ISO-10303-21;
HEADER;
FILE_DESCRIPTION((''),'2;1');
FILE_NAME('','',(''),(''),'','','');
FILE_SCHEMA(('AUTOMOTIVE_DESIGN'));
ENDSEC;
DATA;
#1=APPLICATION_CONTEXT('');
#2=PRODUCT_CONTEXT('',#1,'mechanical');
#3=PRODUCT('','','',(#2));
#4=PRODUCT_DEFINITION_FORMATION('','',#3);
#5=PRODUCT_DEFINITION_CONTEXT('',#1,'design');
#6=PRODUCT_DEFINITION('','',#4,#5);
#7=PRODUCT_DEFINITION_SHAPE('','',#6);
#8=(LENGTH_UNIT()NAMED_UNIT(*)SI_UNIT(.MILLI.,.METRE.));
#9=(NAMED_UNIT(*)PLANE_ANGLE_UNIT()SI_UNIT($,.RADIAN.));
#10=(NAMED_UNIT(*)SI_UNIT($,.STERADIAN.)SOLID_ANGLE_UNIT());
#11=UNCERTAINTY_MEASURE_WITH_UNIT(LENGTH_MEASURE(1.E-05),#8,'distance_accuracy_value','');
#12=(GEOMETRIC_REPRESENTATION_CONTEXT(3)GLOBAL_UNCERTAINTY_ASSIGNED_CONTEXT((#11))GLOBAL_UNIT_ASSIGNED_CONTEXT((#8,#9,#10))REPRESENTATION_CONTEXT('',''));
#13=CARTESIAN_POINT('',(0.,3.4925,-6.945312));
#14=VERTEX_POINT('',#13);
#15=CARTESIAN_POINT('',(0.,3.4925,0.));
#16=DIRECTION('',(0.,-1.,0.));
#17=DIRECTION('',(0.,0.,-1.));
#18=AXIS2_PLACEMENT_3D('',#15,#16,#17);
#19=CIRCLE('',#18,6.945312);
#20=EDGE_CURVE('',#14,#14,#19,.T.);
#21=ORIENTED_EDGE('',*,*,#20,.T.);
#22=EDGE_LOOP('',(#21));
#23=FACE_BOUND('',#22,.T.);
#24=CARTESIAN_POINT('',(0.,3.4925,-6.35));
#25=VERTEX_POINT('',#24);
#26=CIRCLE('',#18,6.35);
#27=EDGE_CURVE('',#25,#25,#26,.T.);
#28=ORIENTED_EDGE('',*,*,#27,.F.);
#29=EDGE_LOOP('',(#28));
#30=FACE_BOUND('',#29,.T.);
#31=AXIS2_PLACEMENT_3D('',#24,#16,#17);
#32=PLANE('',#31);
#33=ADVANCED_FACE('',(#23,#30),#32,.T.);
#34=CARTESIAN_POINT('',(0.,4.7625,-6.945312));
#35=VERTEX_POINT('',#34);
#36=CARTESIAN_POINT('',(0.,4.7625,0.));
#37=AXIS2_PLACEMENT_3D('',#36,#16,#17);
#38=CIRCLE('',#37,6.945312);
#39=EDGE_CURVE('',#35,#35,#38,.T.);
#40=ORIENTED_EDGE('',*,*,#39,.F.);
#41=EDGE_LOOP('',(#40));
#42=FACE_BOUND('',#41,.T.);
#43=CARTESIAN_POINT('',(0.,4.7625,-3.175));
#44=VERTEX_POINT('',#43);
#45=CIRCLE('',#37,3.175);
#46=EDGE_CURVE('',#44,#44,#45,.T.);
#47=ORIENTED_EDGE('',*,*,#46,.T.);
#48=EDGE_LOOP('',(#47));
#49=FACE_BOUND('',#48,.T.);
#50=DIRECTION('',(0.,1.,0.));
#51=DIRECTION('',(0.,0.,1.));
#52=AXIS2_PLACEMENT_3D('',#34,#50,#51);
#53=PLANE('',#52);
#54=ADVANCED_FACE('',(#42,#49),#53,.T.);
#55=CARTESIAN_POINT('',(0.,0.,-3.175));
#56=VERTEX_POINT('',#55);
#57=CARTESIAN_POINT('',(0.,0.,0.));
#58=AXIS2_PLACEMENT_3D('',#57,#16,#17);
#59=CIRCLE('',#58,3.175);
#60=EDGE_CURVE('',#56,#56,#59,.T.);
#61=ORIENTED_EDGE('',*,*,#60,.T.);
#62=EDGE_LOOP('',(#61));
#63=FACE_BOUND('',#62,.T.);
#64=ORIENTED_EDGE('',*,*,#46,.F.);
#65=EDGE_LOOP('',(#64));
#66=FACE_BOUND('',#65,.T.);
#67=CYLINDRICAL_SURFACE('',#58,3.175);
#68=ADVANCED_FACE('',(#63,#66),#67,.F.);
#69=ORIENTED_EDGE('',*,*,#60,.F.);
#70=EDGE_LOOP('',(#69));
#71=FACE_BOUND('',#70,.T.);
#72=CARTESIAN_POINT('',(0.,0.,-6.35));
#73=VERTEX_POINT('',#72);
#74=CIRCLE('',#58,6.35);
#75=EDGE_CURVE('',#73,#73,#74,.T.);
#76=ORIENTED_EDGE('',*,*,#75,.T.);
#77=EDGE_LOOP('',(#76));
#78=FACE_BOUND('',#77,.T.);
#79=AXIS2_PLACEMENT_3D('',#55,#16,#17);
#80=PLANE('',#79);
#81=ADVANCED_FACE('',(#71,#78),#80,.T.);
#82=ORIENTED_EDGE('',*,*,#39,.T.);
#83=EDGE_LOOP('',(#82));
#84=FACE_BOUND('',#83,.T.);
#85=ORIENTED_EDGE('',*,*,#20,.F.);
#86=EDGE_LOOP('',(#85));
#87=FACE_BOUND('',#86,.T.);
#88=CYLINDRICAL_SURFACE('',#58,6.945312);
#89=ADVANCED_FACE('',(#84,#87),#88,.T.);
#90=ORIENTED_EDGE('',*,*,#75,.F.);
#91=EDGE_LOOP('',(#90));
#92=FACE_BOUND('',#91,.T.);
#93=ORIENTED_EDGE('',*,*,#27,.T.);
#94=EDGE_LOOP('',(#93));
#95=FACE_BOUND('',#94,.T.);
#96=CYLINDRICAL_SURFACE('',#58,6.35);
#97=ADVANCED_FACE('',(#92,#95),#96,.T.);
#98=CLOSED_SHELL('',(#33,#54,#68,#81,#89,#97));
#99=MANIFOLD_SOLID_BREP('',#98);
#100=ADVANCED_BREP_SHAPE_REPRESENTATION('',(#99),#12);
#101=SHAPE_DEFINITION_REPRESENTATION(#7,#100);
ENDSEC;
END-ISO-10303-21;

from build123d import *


with BuildPart() as part:
    # Sketch1 → Revolve1 (revolve)
    with BuildSketch(Plane(origin=(0, 0, 0), x_dir=(0, 0, -1), z_dir=(1, 0, 0))):
        Polygon((3.175, 0), (6.35, 0), (6.35, 3.4925), (6.9453125, 3.4925), (6.9453125, 4.7625), (3.175, 4.7625), align=None)
    revolve(axis=Axis((0, 0, 0), (0, 1, 0)))


solid = part.part
